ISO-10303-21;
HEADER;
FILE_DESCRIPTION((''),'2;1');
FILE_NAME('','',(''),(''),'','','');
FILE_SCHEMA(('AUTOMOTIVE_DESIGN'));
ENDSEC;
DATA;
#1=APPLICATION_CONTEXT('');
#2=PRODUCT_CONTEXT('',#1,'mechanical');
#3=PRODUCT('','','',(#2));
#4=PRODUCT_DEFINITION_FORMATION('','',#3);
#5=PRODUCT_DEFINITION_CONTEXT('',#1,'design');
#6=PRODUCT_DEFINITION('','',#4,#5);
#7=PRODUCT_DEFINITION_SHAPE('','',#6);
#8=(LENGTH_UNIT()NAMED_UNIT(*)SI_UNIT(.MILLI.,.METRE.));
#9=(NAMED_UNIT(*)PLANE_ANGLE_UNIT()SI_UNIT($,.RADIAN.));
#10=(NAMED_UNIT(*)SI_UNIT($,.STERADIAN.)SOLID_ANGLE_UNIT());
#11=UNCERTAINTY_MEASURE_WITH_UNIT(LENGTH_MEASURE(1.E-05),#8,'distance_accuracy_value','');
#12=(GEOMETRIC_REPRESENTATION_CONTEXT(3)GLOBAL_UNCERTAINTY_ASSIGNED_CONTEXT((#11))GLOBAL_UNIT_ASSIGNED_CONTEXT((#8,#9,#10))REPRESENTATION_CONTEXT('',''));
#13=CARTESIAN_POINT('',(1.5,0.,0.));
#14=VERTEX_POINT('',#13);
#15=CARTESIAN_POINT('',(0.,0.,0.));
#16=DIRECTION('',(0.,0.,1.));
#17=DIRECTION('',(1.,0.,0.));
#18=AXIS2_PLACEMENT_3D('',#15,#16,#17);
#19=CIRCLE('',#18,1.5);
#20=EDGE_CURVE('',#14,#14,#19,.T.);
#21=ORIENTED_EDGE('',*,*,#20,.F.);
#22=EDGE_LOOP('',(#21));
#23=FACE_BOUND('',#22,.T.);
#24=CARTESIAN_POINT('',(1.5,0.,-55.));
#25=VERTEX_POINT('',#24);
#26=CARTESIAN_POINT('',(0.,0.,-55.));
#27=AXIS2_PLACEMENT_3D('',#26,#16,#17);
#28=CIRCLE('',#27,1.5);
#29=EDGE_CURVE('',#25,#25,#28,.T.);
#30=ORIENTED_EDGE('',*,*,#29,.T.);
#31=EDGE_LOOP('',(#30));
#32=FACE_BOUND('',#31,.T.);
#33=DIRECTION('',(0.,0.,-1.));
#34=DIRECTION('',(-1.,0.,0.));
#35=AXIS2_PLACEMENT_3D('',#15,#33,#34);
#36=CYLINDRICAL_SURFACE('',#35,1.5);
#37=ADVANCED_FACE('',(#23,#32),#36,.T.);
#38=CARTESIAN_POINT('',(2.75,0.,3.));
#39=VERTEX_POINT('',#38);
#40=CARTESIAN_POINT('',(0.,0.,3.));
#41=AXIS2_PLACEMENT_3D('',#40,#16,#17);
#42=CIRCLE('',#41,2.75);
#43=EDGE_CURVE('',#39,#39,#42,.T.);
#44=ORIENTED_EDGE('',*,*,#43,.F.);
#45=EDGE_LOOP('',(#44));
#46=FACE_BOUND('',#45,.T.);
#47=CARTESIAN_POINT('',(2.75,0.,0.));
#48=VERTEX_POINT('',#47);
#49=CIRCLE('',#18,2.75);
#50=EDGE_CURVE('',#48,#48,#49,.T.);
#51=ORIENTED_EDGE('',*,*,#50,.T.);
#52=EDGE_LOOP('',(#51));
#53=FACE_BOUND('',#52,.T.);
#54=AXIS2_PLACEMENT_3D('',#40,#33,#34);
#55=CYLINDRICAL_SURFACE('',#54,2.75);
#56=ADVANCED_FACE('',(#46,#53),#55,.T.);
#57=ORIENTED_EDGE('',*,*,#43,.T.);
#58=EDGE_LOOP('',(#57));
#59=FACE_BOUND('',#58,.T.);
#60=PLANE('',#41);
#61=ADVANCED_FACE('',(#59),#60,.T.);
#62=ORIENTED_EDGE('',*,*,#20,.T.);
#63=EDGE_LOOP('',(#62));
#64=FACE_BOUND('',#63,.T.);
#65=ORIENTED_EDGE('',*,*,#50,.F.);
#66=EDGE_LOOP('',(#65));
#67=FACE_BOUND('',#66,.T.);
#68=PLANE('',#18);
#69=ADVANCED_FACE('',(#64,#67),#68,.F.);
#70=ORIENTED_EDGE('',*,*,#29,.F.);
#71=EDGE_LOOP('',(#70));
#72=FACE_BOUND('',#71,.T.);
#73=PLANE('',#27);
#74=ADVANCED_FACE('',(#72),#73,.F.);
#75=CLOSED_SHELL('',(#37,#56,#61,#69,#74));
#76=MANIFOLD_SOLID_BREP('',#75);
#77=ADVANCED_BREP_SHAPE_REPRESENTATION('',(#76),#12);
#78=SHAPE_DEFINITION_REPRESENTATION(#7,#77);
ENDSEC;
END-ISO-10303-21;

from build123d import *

# Parameters (mm, degrees)
THREAD_ENVELOPE_START = -55
SKETCH1_R             = 1.5
THREAD_ENVELOPE_DEPTH = 55
SKETCH2_R             = 2.75
HEAD_ENVELOPE_DEPTH   = 3


with BuildPart() as part:
    # Sketch1 → Thread_Envelope (new body)
    with BuildSketch(Plane.XY.offset(THREAD_ENVELOPE_START)):
        Circle(SKETCH1_R)
    extrude(amount=THREAD_ENVELOPE_DEPTH)

    # Sketch2 → Head_Envelope (add)
    with BuildSketch(Plane.XY):
        Circle(SKETCH2_R)
    extrude(amount=HEAD_ENVELOPE_DEPTH)


solid = part.part
